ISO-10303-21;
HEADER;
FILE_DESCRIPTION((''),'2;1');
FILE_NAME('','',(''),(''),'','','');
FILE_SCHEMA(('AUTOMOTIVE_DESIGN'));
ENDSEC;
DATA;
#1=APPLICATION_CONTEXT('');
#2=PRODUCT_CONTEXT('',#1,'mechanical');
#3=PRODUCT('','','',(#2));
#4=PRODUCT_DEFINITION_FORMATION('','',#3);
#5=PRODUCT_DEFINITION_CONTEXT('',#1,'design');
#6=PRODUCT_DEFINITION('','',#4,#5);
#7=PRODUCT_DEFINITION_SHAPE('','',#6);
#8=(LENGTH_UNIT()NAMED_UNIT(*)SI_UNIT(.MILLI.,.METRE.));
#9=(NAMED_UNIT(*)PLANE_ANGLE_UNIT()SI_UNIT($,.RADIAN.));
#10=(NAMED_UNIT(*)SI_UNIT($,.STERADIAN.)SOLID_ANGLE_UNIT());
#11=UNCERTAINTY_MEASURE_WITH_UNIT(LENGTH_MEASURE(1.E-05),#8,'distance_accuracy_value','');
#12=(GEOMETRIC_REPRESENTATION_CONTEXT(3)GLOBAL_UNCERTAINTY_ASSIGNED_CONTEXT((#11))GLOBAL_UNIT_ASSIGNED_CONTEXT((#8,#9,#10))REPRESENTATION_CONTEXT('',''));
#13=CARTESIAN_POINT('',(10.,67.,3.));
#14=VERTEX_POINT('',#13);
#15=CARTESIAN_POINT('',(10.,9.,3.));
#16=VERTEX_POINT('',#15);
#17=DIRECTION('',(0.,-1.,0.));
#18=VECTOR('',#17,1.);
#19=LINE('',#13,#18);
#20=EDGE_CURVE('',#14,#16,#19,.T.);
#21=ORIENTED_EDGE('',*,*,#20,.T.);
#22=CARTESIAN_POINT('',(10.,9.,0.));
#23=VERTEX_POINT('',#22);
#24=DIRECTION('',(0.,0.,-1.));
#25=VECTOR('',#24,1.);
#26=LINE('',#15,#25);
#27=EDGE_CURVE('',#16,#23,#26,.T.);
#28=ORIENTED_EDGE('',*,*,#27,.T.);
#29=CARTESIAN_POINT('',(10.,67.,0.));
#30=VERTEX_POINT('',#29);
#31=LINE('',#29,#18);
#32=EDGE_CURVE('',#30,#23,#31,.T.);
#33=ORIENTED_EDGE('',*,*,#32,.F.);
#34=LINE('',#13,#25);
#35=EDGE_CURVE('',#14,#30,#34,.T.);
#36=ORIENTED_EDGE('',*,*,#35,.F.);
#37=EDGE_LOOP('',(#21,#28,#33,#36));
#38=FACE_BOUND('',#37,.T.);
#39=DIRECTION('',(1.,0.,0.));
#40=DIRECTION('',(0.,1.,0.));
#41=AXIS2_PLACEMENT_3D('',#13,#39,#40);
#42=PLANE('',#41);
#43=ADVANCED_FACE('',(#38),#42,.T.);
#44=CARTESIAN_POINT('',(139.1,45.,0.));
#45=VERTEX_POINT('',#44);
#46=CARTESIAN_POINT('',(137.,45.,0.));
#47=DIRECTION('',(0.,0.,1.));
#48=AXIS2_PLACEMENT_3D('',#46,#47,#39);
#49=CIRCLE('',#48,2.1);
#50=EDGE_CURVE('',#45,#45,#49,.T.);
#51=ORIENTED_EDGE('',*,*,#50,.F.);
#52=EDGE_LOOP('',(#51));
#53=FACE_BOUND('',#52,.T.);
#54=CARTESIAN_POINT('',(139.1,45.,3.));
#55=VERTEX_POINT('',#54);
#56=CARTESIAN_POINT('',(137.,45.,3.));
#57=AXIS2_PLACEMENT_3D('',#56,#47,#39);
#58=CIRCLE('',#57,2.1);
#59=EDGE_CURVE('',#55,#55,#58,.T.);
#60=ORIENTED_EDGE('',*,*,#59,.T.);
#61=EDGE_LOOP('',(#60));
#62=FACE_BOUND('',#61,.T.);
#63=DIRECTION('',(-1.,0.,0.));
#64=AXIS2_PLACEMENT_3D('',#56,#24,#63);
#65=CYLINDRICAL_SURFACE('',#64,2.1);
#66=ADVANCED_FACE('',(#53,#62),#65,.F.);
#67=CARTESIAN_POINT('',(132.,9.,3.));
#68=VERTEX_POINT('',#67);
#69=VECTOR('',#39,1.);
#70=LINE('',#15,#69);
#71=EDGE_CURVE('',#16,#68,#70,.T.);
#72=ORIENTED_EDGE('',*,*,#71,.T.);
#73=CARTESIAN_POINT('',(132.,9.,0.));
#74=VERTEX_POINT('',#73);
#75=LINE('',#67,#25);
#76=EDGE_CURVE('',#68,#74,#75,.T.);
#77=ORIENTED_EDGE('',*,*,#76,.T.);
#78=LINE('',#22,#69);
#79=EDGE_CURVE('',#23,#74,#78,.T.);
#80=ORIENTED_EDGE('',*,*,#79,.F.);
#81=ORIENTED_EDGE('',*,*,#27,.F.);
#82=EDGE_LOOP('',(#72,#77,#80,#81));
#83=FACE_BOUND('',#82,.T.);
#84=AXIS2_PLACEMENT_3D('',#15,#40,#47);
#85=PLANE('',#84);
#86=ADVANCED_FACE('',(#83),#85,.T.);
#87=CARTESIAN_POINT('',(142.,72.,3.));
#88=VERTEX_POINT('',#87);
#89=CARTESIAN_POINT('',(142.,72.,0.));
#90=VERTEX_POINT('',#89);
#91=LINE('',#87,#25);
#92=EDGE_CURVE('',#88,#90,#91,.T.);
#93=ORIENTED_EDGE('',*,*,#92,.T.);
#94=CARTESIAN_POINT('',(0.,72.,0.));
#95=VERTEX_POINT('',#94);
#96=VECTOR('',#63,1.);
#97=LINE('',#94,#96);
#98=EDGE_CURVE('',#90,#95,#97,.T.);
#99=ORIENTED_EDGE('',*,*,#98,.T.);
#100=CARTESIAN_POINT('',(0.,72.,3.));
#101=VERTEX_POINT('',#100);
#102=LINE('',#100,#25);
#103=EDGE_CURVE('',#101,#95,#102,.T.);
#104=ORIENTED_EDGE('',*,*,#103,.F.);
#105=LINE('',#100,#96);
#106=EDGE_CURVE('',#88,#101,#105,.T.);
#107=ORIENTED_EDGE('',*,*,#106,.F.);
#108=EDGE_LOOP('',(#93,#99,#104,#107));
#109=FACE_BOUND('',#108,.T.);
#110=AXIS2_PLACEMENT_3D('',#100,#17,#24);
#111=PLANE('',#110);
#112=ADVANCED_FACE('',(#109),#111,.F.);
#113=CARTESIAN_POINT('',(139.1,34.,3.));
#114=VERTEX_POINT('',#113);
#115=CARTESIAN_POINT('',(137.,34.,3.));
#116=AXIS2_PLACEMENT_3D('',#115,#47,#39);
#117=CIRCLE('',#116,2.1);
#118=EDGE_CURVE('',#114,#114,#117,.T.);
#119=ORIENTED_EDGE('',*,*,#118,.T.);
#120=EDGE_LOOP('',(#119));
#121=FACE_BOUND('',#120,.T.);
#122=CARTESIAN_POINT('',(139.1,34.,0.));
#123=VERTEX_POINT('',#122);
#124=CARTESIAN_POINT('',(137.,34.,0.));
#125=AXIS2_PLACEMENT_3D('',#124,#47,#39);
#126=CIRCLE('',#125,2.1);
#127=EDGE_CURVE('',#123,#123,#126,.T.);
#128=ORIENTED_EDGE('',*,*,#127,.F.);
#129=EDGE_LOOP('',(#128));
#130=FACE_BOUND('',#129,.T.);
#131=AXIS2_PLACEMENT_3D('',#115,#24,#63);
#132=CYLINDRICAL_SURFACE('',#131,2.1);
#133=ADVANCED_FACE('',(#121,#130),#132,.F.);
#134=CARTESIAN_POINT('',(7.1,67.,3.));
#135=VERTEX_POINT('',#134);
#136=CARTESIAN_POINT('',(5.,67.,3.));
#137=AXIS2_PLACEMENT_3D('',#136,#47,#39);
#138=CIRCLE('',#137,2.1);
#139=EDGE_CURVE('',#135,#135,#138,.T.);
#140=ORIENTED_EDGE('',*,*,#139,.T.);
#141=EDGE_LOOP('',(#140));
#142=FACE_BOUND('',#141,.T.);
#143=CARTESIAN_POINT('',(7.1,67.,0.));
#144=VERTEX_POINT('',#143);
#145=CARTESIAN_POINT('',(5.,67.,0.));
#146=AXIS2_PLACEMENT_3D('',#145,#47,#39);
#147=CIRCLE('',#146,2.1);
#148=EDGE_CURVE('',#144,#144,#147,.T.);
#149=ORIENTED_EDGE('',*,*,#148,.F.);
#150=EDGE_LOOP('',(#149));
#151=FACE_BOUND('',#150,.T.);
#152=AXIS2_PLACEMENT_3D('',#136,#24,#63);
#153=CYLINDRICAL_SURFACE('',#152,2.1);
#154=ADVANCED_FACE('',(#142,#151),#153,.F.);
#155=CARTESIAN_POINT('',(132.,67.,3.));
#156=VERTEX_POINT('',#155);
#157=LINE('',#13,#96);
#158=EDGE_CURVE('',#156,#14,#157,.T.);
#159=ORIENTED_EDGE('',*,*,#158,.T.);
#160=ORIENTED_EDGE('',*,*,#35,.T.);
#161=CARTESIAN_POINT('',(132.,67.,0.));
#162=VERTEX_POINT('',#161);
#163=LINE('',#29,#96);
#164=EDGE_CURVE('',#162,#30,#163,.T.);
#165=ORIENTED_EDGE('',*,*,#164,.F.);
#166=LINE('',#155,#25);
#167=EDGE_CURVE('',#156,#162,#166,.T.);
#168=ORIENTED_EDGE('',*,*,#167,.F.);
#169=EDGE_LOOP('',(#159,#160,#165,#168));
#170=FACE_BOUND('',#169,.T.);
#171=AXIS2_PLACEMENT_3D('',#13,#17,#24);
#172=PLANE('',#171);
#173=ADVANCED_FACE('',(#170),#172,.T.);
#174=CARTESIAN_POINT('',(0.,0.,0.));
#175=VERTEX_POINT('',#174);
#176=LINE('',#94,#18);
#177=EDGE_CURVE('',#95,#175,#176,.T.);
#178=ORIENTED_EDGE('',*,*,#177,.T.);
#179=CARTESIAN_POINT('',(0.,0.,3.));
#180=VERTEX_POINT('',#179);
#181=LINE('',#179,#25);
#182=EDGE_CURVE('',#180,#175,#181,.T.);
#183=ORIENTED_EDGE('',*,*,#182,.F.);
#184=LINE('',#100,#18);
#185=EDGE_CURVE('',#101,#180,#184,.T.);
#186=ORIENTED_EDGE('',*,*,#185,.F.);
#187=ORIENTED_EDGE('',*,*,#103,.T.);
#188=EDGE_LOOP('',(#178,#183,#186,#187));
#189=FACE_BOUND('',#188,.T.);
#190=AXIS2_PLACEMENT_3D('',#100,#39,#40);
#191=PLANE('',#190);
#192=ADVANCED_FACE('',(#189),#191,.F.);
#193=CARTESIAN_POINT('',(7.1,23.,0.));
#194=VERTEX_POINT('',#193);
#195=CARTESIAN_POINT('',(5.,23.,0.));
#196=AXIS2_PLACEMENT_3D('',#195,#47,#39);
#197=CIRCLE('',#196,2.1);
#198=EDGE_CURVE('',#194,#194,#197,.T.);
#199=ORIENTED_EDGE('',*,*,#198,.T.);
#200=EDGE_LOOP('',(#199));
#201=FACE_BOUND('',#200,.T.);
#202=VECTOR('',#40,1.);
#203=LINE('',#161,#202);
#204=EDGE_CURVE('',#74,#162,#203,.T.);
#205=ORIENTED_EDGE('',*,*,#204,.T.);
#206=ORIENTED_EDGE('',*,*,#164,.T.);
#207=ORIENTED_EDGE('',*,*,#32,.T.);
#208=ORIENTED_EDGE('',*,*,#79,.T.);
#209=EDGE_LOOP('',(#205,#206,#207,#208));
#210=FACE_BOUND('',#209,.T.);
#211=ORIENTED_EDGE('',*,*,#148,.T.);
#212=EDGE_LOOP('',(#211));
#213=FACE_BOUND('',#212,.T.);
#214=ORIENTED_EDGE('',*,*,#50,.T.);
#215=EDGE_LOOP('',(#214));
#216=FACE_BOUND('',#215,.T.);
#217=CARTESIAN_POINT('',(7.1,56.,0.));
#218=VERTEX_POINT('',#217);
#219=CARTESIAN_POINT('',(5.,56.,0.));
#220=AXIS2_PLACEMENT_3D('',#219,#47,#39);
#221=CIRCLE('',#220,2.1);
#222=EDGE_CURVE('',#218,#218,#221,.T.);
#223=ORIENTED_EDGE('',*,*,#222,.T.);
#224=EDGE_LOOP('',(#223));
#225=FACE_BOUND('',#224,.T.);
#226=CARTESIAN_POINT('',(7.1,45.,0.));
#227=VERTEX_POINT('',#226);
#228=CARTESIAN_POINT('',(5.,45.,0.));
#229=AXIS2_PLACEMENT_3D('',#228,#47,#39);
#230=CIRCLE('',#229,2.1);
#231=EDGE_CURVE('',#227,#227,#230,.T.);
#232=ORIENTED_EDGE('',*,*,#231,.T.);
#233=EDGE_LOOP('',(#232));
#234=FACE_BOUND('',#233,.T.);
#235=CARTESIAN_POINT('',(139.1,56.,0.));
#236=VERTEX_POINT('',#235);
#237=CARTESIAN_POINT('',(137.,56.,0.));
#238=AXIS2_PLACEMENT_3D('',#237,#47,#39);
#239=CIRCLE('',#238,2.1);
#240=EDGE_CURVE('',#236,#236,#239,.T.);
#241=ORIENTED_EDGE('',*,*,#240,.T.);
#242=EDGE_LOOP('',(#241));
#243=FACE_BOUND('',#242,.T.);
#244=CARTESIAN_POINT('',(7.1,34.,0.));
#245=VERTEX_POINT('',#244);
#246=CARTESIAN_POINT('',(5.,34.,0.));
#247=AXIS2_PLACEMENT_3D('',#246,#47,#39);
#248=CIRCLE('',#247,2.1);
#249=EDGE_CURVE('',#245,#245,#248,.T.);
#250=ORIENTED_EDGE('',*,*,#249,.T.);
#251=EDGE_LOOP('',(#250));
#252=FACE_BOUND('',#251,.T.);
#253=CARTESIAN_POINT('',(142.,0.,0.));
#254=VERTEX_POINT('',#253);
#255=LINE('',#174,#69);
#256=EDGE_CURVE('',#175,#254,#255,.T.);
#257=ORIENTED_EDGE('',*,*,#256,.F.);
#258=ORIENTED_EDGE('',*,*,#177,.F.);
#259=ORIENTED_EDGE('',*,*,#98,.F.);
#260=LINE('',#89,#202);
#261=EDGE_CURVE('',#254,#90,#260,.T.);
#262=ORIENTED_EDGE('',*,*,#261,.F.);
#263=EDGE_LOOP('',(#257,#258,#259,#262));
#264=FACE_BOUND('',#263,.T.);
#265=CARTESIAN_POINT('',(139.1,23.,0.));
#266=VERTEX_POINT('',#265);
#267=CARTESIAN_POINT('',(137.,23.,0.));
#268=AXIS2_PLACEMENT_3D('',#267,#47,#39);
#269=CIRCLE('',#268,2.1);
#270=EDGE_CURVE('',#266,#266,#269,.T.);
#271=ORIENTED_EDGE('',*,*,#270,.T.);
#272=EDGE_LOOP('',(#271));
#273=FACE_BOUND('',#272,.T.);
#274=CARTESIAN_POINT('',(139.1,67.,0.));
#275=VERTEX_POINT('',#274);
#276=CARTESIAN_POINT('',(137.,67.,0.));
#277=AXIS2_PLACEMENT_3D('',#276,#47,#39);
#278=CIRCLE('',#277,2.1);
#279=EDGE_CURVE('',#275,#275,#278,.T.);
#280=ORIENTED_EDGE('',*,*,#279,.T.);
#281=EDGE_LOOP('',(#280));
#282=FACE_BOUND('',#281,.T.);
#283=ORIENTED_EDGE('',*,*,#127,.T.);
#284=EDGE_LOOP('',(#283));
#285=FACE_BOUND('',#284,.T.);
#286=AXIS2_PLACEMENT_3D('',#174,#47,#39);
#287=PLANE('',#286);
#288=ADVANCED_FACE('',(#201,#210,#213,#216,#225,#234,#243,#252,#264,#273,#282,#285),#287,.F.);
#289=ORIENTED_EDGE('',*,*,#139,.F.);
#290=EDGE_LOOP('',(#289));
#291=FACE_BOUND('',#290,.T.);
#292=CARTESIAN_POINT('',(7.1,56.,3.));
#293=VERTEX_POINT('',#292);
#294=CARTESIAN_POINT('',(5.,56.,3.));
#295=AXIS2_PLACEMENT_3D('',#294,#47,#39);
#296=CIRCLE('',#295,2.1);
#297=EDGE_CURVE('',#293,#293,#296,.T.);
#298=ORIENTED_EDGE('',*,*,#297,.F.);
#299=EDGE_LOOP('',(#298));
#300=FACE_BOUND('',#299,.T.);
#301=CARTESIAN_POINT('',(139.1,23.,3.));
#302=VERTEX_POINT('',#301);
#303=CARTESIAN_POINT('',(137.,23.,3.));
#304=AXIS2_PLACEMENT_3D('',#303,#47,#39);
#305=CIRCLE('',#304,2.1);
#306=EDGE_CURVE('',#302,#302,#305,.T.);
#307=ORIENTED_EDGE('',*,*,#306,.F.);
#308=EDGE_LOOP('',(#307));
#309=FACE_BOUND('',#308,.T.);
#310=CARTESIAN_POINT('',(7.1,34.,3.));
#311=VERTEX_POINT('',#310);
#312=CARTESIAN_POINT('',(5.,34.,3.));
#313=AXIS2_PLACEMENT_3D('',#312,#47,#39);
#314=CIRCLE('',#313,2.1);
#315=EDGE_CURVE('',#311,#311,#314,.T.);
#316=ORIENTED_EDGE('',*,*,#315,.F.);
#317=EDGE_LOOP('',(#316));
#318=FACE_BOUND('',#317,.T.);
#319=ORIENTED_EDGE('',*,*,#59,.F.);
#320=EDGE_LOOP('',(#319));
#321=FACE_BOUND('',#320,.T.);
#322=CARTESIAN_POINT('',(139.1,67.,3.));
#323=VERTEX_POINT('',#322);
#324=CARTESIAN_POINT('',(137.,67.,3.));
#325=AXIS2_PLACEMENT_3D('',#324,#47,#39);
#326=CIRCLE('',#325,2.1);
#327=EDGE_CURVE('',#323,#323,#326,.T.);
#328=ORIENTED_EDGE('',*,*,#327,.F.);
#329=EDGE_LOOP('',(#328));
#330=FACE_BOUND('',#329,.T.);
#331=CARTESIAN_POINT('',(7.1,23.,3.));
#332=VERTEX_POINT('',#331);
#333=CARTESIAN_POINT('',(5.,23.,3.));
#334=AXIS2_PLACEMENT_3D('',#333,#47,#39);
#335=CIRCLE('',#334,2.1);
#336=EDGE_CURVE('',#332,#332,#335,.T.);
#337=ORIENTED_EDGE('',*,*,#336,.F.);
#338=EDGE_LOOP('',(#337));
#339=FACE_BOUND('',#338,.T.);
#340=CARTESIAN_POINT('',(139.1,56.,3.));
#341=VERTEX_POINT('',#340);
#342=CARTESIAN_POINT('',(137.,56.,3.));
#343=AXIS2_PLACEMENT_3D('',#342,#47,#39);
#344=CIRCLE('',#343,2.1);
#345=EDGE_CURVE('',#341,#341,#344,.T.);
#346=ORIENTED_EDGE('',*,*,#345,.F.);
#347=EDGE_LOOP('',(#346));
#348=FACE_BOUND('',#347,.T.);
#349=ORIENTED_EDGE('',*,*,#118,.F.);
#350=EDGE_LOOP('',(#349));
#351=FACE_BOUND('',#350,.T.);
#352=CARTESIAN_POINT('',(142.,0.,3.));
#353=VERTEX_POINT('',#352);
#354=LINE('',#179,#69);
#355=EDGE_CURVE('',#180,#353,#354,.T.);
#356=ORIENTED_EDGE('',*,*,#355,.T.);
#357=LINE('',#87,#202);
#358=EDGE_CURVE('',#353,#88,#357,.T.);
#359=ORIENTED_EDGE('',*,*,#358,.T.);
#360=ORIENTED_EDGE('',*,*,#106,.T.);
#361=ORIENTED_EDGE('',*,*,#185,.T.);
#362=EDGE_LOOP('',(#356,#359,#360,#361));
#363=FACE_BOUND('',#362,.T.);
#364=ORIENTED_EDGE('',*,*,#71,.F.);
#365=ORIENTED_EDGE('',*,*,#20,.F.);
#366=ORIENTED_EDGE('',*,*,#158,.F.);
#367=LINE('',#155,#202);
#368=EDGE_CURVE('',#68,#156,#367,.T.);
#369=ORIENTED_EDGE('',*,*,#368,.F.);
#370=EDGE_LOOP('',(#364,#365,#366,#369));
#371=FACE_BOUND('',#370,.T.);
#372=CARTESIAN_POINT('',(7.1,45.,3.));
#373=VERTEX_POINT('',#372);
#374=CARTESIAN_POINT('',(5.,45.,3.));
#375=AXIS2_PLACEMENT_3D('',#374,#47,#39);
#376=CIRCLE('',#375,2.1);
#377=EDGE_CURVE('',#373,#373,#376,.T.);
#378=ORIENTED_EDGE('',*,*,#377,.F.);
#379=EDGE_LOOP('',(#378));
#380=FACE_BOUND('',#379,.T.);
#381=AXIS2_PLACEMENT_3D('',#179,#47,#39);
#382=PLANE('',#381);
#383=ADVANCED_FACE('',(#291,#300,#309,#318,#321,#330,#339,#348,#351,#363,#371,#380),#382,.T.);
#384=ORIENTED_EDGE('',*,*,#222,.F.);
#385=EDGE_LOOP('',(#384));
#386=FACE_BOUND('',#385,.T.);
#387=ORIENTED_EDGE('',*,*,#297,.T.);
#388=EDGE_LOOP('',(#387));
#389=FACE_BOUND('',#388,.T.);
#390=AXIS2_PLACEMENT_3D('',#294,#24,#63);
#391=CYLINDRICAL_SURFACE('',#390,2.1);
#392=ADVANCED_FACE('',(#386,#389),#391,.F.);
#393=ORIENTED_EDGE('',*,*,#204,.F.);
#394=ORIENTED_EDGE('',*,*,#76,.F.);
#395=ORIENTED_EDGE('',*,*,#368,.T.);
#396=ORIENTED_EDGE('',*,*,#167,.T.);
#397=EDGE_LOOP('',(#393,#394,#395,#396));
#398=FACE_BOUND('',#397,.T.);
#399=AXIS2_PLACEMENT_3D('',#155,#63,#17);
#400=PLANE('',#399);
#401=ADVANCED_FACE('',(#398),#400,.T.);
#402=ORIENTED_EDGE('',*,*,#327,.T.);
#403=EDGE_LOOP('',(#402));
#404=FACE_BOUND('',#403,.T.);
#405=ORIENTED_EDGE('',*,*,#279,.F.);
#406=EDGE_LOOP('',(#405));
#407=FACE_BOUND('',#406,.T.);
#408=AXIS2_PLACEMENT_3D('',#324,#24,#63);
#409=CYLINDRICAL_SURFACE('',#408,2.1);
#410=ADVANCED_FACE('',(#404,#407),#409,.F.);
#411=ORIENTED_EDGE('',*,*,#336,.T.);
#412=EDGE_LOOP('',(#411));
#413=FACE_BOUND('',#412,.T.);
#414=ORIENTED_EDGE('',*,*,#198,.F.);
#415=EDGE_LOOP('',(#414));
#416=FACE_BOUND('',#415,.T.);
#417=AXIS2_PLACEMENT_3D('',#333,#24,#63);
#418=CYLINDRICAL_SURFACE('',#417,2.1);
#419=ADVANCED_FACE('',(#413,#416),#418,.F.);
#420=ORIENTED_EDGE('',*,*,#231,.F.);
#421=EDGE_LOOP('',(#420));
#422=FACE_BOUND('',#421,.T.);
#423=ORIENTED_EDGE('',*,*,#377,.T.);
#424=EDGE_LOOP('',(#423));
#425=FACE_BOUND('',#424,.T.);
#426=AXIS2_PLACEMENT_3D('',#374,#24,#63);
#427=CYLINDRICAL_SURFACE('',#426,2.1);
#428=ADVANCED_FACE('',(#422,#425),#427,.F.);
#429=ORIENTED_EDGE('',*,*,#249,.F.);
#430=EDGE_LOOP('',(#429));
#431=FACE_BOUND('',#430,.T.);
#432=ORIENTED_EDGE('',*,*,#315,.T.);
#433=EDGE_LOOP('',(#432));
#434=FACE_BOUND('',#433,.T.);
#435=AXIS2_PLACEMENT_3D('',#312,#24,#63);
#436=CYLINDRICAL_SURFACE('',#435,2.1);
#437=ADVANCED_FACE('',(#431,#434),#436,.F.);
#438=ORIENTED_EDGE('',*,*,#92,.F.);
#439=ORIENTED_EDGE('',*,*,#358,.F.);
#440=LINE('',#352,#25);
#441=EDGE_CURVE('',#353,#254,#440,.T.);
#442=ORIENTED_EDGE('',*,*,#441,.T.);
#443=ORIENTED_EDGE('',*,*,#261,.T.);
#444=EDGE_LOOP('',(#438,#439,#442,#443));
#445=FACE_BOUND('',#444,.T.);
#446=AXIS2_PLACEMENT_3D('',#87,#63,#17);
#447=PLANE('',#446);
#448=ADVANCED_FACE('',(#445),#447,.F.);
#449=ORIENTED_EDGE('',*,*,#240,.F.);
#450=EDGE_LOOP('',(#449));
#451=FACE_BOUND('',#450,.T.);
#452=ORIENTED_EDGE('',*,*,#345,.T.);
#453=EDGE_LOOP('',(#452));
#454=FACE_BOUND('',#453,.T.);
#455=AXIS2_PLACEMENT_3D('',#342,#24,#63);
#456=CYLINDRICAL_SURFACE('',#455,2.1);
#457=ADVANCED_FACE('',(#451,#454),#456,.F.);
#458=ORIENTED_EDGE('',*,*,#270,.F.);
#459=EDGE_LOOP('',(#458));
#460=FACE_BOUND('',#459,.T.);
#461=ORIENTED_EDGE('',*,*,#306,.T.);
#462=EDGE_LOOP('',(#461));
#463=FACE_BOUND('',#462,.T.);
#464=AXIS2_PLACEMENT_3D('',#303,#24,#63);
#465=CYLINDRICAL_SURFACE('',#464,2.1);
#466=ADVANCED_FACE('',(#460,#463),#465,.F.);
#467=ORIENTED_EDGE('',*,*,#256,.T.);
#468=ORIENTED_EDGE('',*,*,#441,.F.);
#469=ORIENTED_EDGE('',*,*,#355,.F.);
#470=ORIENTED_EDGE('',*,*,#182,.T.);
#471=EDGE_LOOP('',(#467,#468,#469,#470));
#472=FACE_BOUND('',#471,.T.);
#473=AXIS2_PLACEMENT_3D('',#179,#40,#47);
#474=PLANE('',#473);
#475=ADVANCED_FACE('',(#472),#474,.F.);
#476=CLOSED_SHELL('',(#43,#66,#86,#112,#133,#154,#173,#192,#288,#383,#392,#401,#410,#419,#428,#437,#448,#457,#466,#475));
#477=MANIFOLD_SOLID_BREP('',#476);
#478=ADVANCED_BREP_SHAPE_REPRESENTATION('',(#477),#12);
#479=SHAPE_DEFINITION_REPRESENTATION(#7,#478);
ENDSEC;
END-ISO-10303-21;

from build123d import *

# Parameters (mm, degrees)
SKETCH2_W           = 142
SKETCH2_H           = 72
SKETCH2_R           = 2.1
SKETCH2_W_2         = 122
SKETCH2_H_2         = 58
BOSS_EXTRUDE1_DEPTH = 3


with BuildPart() as part:
    # Sketch2 → Boss-Extrude1 (new body)
    with BuildSketch(Plane.XY):
        with Locations((71, 36)):
            Rectangle(SKETCH2_W, SKETCH2_H)
        with Locations((5, 67)):
            Circle(SKETCH2_R, mode=Mode.SUBTRACT)
        with Locations((5, 56)):
            Circle(SKETCH2_R, mode=Mode.SUBTRACT)
        with Locations((5, 45)):
            Circle(SKETCH2_R, mode=Mode.SUBTRACT)
        with Locations((5, 34)):
            Circle(SKETCH2_R, mode=Mode.SUBTRACT)
        with Locations((5, 23)):
            Circle(SKETCH2_R, mode=Mode.SUBTRACT)
        with Locations((137, 67)):
            Circle(SKETCH2_R, mode=Mode.SUBTRACT)
        with Locations((137, 56)):
            Circle(SKETCH2_R, mode=Mode.SUBTRACT)
        with Locations((137, 45)):
            Circle(SKETCH2_R, mode=Mode.SUBTRACT)
        with Locations((137, 34)):
            Circle(SKETCH2_R, mode=Mode.SUBTRACT)
        with Locations((137, 23)):
            Circle(SKETCH2_R, mode=Mode.SUBTRACT)
        with Locations((71, 38)):
            Rectangle(SKETCH2_W_2, SKETCH2_H_2, mode=Mode.SUBTRACT)
    extrude(amount=BOSS_EXTRUDE1_DEPTH)


solid = part.part
